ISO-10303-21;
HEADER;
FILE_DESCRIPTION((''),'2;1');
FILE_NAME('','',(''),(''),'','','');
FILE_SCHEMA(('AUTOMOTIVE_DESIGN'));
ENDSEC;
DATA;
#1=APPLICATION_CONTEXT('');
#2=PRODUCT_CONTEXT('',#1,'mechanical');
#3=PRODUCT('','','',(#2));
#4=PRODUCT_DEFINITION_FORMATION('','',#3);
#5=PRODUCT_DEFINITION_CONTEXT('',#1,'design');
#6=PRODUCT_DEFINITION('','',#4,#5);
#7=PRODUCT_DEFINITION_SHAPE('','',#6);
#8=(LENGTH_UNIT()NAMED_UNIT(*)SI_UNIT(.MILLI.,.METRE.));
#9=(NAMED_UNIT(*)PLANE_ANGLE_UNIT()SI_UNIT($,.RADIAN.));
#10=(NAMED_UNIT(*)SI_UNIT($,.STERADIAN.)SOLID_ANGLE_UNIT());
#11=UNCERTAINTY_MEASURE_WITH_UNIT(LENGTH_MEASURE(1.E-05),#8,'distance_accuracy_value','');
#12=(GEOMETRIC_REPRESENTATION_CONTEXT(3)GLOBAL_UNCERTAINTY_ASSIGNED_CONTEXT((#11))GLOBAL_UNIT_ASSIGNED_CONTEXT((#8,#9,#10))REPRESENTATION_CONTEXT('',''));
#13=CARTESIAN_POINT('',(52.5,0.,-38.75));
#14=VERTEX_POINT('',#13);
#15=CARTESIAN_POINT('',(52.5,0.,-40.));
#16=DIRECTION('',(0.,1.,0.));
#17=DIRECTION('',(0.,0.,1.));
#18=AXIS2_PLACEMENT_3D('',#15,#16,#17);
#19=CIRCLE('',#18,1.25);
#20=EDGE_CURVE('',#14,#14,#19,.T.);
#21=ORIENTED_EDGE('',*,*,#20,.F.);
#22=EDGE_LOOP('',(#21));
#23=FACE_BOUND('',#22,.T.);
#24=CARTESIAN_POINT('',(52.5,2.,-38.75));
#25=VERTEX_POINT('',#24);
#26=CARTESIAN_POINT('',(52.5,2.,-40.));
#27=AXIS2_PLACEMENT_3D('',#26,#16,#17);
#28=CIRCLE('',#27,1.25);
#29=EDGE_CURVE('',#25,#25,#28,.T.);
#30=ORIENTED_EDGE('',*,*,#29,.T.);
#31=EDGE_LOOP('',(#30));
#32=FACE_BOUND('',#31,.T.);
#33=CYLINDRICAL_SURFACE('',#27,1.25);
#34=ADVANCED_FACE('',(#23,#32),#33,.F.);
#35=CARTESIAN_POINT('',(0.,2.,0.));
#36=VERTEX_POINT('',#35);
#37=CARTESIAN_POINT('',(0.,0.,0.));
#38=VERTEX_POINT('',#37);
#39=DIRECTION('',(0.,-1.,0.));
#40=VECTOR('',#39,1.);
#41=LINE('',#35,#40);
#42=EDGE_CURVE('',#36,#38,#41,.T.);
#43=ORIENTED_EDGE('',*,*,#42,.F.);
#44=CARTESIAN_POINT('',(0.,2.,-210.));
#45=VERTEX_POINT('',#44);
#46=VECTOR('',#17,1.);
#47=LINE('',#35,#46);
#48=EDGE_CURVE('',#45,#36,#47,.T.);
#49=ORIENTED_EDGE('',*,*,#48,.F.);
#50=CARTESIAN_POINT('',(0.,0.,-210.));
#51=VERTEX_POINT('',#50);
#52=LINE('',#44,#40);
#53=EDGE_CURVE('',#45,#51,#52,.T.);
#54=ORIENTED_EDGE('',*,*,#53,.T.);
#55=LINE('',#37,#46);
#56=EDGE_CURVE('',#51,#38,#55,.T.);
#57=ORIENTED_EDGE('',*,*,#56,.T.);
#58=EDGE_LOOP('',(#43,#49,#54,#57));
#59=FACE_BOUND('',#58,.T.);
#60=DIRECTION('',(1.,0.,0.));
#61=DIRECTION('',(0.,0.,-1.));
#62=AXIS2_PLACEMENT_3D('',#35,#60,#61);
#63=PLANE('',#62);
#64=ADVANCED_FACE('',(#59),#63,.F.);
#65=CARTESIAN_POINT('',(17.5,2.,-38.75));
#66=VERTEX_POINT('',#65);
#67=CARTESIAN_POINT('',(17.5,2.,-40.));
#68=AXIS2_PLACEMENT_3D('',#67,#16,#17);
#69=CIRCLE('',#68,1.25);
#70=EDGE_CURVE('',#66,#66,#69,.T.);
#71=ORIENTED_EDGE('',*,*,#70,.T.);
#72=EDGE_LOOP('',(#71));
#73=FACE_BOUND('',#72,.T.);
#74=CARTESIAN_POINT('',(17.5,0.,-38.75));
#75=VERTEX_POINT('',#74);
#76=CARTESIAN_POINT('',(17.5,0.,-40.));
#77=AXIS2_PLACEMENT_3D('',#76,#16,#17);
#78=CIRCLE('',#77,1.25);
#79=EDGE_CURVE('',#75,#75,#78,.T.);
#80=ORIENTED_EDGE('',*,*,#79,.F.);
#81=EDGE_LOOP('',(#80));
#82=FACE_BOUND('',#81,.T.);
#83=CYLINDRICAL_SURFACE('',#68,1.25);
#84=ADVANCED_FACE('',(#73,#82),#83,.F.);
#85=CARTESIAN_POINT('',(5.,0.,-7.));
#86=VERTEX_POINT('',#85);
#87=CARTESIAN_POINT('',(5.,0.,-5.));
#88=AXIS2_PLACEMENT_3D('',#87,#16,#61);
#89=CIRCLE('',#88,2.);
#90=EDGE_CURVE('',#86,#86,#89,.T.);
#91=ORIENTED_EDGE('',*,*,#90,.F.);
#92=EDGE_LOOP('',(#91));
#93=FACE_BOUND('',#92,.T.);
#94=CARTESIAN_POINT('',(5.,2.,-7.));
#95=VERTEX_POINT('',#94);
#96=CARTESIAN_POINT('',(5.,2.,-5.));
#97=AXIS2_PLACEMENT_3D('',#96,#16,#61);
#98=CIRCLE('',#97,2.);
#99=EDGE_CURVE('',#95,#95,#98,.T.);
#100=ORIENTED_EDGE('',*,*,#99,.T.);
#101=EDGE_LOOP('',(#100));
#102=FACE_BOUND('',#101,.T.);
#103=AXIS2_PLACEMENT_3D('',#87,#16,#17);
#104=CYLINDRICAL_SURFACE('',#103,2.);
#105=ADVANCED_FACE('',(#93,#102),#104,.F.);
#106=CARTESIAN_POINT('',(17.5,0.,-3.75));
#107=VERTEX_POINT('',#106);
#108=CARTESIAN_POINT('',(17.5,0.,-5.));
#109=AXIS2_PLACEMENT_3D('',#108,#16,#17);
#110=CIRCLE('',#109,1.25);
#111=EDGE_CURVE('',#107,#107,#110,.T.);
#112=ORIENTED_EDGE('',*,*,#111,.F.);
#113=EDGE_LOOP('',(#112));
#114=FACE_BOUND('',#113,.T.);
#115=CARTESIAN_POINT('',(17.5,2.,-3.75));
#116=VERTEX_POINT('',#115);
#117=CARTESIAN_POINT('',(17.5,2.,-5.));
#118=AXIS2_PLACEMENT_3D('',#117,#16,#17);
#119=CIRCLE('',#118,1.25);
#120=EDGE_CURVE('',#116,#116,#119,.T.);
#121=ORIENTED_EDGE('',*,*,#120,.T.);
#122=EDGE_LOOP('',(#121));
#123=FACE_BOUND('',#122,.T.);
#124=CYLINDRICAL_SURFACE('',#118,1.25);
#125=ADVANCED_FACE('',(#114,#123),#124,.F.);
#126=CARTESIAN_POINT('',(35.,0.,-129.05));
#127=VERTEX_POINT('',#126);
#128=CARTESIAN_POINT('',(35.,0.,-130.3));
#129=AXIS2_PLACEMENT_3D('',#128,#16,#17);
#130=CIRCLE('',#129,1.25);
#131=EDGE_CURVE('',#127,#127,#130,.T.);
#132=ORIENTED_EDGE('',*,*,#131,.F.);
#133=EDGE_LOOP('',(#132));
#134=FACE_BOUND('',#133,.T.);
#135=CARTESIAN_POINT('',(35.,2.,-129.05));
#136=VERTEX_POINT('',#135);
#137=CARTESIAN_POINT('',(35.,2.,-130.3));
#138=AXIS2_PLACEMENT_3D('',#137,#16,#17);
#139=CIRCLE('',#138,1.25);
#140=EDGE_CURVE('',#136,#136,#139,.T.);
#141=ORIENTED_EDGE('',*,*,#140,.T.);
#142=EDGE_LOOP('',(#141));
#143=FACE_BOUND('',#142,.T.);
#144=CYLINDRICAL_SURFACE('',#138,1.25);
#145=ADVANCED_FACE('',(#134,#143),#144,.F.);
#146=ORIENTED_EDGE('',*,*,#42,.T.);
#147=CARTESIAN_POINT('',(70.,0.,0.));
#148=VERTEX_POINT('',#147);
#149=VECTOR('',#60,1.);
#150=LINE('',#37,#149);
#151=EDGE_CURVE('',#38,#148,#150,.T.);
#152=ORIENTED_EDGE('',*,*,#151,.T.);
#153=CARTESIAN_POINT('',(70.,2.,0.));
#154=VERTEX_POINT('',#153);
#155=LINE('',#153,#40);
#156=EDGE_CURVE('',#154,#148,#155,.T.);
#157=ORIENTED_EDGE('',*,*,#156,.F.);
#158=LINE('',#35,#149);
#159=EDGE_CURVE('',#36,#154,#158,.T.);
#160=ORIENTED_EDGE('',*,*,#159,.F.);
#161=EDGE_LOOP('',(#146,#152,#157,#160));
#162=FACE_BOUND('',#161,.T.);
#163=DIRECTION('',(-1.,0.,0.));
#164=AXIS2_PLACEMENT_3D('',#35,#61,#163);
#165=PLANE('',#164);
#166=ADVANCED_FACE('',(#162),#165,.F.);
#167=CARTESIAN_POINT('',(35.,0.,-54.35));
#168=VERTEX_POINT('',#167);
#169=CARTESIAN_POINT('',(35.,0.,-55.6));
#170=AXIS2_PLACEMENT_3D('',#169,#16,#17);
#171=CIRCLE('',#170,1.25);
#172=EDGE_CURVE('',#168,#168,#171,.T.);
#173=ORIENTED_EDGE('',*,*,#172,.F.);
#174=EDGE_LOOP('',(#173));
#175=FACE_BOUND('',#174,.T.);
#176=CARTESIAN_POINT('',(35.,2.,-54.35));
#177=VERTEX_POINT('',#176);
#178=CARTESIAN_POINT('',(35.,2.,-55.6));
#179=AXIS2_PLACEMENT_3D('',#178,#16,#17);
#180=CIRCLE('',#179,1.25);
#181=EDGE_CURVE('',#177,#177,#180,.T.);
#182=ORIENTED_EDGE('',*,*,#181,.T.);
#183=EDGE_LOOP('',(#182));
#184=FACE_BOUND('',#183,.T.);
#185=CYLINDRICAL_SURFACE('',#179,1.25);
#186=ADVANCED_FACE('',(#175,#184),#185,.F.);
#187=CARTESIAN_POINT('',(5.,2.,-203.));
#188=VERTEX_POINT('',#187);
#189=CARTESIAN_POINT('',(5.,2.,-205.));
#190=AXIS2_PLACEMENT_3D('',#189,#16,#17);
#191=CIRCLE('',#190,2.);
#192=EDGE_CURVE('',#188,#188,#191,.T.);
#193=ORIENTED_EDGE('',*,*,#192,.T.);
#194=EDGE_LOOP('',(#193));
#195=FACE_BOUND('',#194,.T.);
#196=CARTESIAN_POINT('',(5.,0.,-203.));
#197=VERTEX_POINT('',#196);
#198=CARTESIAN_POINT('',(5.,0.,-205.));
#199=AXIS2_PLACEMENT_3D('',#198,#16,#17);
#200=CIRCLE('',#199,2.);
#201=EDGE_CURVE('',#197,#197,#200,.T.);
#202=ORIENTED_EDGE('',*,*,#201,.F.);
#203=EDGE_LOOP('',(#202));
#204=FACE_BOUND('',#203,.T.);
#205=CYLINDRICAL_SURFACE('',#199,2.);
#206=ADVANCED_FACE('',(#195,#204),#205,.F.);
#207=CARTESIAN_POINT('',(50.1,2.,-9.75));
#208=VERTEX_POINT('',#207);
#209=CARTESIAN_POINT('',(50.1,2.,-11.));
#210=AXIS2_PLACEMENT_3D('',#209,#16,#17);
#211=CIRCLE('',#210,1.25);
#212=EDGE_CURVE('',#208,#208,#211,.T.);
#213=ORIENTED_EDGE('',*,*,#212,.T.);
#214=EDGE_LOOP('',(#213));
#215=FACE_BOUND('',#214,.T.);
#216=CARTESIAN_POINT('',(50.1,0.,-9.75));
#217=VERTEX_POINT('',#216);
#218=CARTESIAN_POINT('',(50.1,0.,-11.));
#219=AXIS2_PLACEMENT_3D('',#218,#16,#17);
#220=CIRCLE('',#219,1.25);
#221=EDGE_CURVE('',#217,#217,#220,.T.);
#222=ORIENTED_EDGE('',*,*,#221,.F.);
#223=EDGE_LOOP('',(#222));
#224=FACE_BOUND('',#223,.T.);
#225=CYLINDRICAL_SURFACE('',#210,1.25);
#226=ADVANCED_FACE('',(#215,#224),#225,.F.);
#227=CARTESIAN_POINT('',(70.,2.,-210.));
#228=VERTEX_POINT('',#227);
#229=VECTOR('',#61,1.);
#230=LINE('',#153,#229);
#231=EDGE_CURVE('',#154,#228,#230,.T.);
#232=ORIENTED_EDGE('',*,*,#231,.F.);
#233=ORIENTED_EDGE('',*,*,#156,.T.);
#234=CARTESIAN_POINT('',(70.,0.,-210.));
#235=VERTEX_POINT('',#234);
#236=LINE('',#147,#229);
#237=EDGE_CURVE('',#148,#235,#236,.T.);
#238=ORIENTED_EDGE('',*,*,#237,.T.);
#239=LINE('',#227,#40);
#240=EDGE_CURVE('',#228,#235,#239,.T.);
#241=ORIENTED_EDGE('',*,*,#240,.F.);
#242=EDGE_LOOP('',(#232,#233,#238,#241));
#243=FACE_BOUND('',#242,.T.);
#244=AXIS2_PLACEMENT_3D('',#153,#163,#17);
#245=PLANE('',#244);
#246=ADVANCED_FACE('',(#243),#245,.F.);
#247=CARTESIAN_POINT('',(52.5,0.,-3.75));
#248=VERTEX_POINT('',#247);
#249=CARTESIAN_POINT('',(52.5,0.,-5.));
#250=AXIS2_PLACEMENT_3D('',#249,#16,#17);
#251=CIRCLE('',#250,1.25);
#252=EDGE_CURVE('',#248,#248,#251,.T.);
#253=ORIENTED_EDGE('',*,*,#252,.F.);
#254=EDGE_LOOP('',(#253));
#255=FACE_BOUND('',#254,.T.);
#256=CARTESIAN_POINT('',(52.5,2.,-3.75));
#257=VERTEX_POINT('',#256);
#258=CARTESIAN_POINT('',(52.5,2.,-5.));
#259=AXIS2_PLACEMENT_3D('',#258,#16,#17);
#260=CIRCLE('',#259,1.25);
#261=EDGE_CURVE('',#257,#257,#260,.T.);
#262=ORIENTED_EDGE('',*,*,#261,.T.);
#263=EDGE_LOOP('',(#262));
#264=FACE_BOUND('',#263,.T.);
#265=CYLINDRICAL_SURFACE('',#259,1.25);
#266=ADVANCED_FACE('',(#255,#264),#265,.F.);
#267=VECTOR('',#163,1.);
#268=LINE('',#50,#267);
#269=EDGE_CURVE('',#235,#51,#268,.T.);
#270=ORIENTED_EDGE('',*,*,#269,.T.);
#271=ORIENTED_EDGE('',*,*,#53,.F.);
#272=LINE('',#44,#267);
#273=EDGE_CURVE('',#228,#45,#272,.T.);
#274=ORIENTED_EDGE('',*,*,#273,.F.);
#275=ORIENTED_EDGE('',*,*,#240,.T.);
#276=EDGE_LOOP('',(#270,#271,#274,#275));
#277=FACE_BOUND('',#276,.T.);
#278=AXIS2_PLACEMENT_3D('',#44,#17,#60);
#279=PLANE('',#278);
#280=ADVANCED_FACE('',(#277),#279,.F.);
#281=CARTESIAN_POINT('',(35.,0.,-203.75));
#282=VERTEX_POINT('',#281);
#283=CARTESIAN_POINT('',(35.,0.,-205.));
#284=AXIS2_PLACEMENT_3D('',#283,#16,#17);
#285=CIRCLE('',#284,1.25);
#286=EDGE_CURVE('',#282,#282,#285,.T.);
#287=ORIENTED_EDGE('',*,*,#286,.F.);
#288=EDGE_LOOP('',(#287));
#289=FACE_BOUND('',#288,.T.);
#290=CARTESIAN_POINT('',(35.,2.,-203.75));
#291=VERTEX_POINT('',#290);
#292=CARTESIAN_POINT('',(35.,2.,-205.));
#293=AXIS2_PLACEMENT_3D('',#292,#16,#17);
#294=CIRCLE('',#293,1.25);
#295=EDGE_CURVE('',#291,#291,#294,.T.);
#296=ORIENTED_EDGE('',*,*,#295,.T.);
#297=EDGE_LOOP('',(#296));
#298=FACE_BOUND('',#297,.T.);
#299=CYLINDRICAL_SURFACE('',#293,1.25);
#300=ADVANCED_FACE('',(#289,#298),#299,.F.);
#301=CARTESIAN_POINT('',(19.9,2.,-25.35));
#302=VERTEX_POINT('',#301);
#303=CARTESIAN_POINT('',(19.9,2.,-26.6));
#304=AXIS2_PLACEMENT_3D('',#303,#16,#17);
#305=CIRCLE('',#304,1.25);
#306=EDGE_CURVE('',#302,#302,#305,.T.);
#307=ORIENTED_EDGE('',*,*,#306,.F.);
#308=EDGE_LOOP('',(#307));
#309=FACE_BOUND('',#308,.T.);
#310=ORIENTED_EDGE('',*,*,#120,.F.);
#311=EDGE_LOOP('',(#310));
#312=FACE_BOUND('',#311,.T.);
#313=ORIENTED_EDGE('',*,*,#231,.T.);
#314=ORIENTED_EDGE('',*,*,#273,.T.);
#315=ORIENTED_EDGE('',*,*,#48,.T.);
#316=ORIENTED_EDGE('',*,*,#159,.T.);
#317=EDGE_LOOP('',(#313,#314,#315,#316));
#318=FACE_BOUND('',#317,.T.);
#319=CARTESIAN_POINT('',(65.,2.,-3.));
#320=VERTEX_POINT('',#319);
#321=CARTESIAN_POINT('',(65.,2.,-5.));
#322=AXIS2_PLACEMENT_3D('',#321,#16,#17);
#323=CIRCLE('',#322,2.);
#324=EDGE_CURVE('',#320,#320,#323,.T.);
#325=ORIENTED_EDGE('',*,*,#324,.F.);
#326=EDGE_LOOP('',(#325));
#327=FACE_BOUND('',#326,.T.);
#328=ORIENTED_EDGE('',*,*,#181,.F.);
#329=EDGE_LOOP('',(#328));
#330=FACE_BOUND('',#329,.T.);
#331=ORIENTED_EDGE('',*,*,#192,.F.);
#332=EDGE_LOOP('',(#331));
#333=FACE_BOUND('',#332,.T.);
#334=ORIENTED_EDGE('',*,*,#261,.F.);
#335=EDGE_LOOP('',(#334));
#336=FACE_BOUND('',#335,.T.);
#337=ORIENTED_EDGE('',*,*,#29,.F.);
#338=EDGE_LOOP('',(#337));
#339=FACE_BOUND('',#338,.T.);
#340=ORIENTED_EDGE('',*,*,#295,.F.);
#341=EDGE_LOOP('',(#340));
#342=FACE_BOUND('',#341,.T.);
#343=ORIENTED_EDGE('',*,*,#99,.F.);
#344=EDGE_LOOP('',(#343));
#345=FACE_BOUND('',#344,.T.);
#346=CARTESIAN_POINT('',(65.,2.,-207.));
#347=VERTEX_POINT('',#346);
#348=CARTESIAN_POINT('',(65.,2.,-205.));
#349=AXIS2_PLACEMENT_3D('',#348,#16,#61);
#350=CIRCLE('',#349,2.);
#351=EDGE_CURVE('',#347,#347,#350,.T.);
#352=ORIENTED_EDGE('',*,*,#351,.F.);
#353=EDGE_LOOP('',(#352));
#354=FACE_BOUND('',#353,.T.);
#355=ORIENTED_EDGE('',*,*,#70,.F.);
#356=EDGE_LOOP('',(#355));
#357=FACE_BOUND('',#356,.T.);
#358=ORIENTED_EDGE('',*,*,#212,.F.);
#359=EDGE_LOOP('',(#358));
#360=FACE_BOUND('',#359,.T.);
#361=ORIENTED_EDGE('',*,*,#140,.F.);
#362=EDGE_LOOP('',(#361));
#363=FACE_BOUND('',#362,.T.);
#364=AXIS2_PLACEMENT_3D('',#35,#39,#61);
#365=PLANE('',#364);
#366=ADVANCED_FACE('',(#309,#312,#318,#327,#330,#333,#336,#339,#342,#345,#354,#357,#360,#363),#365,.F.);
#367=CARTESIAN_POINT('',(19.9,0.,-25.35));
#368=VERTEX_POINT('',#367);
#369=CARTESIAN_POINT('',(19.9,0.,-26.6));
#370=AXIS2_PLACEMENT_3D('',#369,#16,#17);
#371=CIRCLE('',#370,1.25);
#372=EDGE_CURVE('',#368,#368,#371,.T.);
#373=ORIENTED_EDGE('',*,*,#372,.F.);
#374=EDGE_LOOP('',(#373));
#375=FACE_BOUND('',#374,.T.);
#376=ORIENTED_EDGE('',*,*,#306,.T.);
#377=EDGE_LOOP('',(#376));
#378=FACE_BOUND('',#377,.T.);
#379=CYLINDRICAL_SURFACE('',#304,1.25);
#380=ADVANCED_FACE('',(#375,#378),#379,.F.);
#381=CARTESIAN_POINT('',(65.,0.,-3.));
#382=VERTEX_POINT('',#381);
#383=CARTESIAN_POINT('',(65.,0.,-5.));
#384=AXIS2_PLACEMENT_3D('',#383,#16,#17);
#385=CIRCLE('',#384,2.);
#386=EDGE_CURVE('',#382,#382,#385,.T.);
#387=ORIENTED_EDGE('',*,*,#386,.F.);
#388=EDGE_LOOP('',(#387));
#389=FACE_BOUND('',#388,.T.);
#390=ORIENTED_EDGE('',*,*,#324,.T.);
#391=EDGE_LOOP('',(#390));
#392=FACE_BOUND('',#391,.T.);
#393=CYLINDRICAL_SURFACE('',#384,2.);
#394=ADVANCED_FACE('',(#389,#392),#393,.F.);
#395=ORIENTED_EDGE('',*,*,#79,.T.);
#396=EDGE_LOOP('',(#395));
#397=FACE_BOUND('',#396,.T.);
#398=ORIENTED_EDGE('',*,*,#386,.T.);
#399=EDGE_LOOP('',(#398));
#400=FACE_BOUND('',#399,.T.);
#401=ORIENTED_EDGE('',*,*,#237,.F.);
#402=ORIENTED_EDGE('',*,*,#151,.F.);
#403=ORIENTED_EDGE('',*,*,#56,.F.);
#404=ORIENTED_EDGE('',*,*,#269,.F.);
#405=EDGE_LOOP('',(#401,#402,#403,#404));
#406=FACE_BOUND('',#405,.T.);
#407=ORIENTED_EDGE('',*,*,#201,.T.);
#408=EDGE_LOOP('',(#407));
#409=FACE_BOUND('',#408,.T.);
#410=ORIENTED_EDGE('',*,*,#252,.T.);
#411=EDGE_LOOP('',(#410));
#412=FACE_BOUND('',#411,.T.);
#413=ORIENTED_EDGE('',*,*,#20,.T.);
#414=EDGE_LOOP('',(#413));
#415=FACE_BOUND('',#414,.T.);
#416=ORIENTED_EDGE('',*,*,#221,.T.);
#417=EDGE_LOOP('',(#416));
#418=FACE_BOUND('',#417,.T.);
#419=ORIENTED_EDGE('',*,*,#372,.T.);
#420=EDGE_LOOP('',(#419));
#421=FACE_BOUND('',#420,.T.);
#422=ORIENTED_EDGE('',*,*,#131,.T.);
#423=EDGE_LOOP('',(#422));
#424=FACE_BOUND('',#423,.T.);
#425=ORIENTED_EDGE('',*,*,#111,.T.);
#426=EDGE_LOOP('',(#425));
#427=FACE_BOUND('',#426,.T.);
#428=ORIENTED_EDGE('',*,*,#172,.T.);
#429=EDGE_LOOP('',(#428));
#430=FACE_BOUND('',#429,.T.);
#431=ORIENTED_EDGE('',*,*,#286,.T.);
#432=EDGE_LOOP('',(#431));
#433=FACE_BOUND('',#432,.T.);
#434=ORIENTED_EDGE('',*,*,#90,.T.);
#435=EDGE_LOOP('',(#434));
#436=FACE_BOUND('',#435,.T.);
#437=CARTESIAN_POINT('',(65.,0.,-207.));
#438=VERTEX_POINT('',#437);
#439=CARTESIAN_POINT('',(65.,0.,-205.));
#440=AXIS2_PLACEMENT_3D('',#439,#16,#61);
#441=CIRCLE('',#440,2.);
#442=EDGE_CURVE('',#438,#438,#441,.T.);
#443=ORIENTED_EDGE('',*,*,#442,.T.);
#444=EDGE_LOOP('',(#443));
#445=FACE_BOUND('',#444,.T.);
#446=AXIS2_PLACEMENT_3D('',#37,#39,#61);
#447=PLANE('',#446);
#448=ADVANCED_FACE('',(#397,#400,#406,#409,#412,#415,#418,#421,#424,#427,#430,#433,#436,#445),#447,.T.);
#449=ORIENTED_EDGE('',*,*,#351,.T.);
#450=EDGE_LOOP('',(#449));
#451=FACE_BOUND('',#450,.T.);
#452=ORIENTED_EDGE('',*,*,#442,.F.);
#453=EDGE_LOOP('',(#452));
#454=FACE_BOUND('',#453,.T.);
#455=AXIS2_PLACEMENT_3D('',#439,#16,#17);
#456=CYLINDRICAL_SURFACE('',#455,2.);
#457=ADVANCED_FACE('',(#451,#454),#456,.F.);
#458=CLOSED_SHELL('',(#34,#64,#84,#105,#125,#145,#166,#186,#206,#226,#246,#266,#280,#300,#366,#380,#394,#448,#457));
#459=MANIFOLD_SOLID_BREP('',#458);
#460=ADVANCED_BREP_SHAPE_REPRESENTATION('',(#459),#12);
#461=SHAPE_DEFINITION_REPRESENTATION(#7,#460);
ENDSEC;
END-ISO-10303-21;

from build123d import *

# Parameters (mm, degrees)
SKETCH1_W               = 70
SKETCH1_H               = 210
BOSS_EXTRUDE1_DEPTH     = 2
SKETCH2_R               = 2
CUT_EXTRUDE1_DEPTH      = 3
TAP_DRILL_FOR_M3_TAP1_D = 2.5
TAP_DRILL_FOR_M3_TAP2_D = 2.5
TAP_DRILL_FOR_M3_TAP3_D = 2.5


with BuildPart() as part:
    # Sketch1 → Boss-Extrude1 (new body)
    with BuildSketch(Plane(origin=(0, 0, 0), x_dir=(1, 0, 0), z_dir=(0, 1, 0))):
        with Locations((35, 105)):
            Rectangle(SKETCH1_W, SKETCH1_H)
    extrude(amount=BOSS_EXTRUDE1_DEPTH)

    # Sketch2 → Cut-Extrude1 (cut, through all)
    with BuildSketch(Plane(origin=(0, 2, 0), x_dir=(1, 0, 0), z_dir=(0, 1, 0))):
        with Locations((5, 205)):
            Circle(SKETCH2_R)
        with Locations((65, 205)):
            Circle(SKETCH2_R)
        with Locations((65, 5)):
            Circle(SKETCH2_R)
        with Locations((5, 5)):
            Circle(SKETCH2_R)
    extrude(amount=-CUT_EXTRUDE1_DEPTH, mode=Mode.SUBTRACT)

    # Tap Drill for M3 Tap1 (through all)
    with Locations(Plane(origin=(0, 2, 0), x_dir=(1, 0, 0), z_dir=(0, 1, 0))):
        with Locations((35, 205), (35, 130.3), (35, 55.6)):
            Hole(TAP_DRILL_FOR_M3_TAP1_D / 2)

    # Tap Drill for M3 Tap2 (through all)
    with Locations(Plane(origin=(0, 2, 0), x_dir=(1, 0, 0), z_dir=(0, 1, 0))):
        with Locations((52.5, 5), (17.5, 5), (17.5, 40), (52.5, 40)):
            Hole(TAP_DRILL_FOR_M3_TAP2_D / 2)

    # Tap Drill for M3 Tap3 (through all)
    with Locations(Plane(origin=(0, 2, 0), x_dir=(1, 0, 0), z_dir=(0, 1, 0))):
        with Locations((19.9, 26.6), (50.1, 11)):
            Hole(TAP_DRILL_FOR_M3_TAP3_D / 2)


solid = part.part
